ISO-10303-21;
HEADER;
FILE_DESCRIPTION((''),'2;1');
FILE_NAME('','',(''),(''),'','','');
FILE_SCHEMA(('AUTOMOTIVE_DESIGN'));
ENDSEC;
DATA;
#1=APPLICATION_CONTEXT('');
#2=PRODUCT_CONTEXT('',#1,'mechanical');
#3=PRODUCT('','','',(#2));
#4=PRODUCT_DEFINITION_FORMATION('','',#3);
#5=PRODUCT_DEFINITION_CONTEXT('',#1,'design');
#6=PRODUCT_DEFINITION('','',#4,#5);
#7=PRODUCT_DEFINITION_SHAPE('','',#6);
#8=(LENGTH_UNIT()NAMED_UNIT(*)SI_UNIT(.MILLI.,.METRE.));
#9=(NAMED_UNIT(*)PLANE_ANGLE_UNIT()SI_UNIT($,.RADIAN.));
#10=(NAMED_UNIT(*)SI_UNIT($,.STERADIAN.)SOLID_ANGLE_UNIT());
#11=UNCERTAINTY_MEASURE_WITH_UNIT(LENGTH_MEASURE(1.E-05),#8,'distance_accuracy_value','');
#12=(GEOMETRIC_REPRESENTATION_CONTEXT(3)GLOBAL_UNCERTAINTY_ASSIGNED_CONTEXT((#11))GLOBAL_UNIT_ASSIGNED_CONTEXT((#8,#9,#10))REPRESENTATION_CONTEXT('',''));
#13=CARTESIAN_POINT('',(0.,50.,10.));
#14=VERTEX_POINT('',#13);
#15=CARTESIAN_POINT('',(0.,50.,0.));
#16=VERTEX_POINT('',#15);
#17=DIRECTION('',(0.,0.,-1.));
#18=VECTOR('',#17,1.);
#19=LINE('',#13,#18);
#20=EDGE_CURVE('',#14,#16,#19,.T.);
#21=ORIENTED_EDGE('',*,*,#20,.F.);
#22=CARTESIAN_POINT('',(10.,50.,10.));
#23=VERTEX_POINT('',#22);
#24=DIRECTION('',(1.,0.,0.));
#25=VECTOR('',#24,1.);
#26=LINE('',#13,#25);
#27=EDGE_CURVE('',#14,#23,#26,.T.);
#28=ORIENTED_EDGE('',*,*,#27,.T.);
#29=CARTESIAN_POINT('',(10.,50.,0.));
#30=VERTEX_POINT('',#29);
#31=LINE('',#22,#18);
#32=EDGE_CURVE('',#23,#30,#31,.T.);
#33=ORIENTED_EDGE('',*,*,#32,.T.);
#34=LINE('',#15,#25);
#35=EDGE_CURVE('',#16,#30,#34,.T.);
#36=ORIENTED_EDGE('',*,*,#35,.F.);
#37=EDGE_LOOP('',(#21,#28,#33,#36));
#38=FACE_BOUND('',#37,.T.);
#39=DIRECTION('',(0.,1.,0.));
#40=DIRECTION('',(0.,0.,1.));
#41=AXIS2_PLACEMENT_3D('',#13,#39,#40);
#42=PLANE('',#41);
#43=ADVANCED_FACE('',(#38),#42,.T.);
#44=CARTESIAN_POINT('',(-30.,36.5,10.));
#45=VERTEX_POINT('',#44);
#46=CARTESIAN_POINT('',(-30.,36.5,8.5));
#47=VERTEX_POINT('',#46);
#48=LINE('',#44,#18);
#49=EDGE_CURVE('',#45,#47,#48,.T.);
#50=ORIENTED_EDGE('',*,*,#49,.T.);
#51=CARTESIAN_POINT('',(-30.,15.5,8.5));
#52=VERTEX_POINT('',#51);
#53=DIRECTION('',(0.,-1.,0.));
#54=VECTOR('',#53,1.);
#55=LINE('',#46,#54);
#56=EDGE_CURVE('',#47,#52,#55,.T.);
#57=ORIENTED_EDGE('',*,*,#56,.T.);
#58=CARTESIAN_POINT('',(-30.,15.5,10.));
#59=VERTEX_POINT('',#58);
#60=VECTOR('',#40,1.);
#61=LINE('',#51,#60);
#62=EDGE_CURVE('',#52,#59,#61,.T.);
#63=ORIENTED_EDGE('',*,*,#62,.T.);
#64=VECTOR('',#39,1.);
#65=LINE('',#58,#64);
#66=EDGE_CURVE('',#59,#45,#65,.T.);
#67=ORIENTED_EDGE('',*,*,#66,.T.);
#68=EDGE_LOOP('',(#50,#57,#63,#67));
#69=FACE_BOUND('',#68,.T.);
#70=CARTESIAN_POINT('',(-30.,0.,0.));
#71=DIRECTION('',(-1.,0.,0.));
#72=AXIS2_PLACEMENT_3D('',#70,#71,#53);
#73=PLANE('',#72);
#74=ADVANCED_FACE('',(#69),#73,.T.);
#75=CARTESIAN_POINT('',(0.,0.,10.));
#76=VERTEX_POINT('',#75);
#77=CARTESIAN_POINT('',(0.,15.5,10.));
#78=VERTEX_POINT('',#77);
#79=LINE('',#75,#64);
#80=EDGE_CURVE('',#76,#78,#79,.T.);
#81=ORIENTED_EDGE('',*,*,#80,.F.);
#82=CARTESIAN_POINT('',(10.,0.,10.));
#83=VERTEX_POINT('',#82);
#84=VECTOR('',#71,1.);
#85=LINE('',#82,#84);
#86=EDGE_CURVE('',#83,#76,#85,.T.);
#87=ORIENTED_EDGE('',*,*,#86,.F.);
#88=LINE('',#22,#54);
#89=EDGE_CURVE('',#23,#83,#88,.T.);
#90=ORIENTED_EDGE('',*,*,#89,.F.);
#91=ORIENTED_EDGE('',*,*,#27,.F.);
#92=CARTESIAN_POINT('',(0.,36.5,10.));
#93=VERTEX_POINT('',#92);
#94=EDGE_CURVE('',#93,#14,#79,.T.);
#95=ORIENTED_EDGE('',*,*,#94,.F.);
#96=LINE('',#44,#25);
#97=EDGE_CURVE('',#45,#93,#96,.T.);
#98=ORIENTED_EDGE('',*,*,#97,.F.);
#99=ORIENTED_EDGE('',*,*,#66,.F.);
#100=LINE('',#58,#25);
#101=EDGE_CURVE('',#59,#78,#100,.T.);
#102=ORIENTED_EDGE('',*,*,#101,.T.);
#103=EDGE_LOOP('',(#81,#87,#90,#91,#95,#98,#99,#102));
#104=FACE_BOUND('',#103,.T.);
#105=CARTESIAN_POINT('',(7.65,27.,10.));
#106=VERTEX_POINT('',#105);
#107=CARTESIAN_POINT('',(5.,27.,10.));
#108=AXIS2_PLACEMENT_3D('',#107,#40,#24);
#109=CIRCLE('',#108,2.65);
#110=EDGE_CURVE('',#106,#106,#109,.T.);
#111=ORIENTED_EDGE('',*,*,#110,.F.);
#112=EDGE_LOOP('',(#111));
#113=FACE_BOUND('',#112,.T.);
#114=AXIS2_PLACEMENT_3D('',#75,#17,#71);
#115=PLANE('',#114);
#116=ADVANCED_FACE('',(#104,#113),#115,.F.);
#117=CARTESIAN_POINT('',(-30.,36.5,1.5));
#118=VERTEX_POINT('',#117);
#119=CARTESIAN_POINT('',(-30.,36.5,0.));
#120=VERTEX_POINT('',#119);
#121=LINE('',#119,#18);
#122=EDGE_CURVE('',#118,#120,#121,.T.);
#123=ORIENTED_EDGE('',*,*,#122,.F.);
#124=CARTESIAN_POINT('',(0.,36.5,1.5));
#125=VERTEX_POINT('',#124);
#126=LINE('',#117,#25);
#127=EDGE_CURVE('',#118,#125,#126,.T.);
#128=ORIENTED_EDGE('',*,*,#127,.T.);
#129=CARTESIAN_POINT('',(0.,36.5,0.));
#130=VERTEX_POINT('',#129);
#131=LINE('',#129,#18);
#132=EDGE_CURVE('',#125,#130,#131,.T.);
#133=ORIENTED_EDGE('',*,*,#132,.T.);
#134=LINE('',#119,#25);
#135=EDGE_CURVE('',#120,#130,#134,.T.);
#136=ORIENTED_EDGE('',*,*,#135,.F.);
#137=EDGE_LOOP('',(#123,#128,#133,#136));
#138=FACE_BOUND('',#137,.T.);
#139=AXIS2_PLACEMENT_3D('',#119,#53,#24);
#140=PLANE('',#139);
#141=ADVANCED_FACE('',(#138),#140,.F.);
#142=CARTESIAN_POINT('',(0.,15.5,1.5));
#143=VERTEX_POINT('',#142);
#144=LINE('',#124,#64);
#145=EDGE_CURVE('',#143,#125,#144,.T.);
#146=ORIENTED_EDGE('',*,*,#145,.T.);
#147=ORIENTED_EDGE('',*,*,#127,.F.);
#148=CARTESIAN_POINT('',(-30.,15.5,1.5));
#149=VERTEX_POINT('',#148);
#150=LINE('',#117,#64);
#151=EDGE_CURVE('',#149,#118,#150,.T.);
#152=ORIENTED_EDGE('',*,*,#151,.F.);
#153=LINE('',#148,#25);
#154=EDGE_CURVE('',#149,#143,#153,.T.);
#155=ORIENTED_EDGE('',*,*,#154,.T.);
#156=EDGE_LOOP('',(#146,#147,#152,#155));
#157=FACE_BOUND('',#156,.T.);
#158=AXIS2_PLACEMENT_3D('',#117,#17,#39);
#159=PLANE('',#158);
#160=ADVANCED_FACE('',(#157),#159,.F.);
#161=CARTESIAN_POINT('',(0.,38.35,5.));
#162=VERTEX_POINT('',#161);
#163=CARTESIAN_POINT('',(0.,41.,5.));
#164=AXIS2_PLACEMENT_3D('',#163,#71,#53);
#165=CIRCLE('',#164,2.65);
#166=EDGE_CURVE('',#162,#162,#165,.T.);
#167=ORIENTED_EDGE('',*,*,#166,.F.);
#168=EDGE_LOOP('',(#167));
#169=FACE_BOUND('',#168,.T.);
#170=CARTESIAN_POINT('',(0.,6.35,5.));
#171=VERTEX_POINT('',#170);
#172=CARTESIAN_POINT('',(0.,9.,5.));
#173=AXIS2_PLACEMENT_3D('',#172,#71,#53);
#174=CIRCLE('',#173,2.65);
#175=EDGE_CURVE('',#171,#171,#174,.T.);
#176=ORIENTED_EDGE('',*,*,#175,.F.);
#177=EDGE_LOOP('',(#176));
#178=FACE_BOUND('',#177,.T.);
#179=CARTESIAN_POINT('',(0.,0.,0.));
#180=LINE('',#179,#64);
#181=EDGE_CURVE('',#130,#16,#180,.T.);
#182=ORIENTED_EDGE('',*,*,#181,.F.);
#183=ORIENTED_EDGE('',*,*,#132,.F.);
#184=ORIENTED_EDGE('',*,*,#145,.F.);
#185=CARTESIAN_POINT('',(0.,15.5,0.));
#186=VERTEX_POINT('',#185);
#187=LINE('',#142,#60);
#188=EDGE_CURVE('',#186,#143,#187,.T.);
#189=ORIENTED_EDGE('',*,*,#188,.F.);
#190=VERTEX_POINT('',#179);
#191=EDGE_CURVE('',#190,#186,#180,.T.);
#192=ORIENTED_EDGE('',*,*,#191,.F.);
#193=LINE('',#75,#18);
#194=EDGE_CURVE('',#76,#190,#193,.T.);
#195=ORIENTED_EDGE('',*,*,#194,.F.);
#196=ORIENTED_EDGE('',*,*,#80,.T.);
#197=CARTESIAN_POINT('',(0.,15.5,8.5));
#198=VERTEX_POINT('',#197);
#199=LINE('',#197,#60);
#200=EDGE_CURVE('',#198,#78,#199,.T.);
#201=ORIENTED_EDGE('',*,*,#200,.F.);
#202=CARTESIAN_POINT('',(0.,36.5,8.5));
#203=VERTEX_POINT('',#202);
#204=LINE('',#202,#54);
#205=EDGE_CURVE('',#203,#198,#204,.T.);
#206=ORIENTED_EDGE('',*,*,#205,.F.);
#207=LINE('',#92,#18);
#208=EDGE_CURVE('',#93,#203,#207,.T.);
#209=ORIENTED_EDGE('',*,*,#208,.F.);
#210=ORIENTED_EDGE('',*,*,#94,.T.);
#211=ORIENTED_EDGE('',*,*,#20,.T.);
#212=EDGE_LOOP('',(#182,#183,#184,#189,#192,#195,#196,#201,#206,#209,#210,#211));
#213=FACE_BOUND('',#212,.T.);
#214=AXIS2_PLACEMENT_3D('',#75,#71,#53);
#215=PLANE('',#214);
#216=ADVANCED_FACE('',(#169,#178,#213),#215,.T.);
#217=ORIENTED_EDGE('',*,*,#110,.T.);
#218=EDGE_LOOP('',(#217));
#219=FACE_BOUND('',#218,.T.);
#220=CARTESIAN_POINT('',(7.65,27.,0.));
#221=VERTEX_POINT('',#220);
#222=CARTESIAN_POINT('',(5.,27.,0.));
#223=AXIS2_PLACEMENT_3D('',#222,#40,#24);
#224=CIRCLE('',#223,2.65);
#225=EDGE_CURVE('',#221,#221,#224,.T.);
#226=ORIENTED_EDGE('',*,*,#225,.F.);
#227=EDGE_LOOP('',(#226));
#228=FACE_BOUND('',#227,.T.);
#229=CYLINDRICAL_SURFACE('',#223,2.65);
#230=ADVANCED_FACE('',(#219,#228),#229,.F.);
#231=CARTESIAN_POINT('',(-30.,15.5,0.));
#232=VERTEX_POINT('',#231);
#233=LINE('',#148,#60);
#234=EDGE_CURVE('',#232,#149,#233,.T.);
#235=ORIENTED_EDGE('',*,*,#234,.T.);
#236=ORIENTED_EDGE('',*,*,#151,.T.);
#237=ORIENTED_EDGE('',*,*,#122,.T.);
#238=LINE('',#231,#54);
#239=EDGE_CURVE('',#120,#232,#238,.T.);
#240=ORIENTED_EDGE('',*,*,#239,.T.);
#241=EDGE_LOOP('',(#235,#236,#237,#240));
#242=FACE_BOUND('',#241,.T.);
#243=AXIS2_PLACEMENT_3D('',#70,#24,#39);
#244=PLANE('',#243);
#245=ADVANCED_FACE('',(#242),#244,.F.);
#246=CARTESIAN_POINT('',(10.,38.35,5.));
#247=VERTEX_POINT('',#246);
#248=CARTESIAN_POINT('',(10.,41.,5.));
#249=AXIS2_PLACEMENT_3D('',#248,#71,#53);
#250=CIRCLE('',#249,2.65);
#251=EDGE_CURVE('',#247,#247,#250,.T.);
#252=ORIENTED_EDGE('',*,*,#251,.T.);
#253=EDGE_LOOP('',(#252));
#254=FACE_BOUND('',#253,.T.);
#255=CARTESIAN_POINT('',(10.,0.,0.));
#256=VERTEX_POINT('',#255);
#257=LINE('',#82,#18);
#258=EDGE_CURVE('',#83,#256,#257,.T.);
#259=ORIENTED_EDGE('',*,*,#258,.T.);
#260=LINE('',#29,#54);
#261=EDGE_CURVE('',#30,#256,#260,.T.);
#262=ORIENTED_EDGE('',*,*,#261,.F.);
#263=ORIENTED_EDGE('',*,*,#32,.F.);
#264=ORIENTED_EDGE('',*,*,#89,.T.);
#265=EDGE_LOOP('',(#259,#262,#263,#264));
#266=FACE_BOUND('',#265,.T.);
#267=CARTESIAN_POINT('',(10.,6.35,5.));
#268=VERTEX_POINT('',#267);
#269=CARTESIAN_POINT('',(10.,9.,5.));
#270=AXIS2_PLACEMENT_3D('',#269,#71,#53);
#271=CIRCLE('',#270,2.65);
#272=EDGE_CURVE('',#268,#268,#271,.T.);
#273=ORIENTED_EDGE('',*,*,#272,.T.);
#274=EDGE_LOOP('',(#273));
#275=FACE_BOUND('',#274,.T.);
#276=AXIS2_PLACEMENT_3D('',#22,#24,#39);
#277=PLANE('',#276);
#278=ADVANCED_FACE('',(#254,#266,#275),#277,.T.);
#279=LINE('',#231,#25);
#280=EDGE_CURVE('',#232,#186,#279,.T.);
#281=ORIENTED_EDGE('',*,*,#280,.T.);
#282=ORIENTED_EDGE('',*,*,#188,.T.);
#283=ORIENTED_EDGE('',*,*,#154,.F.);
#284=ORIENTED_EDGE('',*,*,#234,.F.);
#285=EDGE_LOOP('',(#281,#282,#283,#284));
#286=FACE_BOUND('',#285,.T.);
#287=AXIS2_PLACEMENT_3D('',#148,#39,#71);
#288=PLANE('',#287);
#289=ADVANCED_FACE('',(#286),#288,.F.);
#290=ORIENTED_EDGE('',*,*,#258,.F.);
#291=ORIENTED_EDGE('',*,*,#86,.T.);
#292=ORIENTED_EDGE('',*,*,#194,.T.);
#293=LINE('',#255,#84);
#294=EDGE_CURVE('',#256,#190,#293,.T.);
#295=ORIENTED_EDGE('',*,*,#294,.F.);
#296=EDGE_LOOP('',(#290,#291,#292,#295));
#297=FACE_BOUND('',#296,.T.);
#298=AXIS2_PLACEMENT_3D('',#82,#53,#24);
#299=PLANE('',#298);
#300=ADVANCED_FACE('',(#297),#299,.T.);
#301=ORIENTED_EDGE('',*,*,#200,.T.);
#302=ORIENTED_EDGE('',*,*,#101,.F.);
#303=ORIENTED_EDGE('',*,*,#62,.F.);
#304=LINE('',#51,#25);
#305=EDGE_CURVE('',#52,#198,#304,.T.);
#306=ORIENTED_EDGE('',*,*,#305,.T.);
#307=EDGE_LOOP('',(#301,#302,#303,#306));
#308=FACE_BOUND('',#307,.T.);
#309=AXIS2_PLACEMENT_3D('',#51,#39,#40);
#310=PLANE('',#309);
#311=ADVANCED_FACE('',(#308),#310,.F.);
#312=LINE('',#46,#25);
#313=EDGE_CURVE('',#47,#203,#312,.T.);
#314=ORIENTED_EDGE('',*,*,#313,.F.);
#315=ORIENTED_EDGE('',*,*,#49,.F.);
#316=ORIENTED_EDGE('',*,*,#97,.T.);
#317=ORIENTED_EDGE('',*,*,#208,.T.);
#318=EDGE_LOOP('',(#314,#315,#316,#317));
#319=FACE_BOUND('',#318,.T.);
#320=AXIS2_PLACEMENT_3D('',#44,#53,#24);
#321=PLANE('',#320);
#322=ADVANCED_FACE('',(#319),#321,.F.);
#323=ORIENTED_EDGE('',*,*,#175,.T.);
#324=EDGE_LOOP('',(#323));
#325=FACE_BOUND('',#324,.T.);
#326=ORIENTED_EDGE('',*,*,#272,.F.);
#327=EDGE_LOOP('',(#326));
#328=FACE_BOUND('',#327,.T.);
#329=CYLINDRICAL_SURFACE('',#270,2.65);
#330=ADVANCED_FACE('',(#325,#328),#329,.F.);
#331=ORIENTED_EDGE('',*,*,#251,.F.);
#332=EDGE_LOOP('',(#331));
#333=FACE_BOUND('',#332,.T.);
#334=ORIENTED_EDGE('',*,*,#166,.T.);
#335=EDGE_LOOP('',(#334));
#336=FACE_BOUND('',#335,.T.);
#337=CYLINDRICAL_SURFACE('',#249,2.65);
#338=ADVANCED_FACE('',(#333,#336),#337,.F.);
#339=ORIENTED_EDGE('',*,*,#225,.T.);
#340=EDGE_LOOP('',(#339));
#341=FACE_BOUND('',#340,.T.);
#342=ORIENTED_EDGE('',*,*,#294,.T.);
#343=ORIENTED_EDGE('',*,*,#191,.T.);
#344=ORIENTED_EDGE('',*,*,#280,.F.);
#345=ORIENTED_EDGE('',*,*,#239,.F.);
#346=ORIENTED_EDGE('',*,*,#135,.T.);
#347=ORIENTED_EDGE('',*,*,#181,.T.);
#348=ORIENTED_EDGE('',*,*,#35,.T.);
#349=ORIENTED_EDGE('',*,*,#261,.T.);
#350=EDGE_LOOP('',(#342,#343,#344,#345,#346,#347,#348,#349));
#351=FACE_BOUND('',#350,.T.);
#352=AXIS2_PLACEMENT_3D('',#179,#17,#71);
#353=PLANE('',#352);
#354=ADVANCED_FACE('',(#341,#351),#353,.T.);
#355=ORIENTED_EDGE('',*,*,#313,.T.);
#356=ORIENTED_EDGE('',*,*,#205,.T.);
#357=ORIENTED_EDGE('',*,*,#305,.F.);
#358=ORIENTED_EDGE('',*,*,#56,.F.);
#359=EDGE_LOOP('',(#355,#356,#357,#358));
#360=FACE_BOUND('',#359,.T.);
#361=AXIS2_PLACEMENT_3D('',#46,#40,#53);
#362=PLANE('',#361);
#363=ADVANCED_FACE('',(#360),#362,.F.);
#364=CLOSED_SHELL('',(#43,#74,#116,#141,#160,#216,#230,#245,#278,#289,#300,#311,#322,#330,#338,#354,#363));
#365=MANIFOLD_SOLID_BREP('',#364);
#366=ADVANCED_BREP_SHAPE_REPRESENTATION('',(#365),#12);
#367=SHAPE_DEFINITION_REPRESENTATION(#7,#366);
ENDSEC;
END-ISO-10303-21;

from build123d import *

# Parameters (mm, degrees)
SKETCH2_W           = 10
SKETCH2_H           = 50
BOSS_EXTRUDE1_DEPTH = 10
SKETCH6_R           = 2.65
CUT_EXTRUDE3_DEPTH  = 11
SKETCH7_R           = 2.65
CUT_EXTRUDE4_DEPTH  = 11
SKETCH8_W           = 1.5
SKETCH8_H           = 21
BOSS_EXTRUDE2_DEPTH = 30


with BuildPart() as part:
    # Sketch2 → Boss-Extrude1 (new body)
    with BuildSketch(Plane.XY):
        with Locations((5, 25)):
            Rectangle(SKETCH2_W, SKETCH2_H)
    extrude(amount=BOSS_EXTRUDE1_DEPTH)

    # Sketch6 → Cut-Extrude3 (cut, through all)
    with BuildSketch(Plane.XY.offset(10)):
        with Locations((5, 27)):
            Circle(SKETCH6_R)
    extrude(amount=-CUT_EXTRUDE3_DEPTH, mode=Mode.SUBTRACT)

    # Sketch7 → Cut-Extrude4 (cut, through all)
    with BuildSketch(Plane.ZY):
        with Locations((5, 41)):
            Circle(SKETCH7_R)
        with Locations((5, 9)):
            Circle(SKETCH7_R)
    extrude(amount=-CUT_EXTRUDE4_DEPTH, mode=Mode.SUBTRACT)

    # Sketch8 → Boss-Extrude2 (add)
    with BuildSketch(Plane.ZY):
        with Locations((9.25, 26)):
            Rectangle(SKETCH8_W, SKETCH8_H)
        with Locations((0.75, 26)):
            Rectangle(SKETCH8_W, SKETCH8_H)
    extrude(amount=BOSS_EXTRUDE2_DEPTH)


solid = part.part
